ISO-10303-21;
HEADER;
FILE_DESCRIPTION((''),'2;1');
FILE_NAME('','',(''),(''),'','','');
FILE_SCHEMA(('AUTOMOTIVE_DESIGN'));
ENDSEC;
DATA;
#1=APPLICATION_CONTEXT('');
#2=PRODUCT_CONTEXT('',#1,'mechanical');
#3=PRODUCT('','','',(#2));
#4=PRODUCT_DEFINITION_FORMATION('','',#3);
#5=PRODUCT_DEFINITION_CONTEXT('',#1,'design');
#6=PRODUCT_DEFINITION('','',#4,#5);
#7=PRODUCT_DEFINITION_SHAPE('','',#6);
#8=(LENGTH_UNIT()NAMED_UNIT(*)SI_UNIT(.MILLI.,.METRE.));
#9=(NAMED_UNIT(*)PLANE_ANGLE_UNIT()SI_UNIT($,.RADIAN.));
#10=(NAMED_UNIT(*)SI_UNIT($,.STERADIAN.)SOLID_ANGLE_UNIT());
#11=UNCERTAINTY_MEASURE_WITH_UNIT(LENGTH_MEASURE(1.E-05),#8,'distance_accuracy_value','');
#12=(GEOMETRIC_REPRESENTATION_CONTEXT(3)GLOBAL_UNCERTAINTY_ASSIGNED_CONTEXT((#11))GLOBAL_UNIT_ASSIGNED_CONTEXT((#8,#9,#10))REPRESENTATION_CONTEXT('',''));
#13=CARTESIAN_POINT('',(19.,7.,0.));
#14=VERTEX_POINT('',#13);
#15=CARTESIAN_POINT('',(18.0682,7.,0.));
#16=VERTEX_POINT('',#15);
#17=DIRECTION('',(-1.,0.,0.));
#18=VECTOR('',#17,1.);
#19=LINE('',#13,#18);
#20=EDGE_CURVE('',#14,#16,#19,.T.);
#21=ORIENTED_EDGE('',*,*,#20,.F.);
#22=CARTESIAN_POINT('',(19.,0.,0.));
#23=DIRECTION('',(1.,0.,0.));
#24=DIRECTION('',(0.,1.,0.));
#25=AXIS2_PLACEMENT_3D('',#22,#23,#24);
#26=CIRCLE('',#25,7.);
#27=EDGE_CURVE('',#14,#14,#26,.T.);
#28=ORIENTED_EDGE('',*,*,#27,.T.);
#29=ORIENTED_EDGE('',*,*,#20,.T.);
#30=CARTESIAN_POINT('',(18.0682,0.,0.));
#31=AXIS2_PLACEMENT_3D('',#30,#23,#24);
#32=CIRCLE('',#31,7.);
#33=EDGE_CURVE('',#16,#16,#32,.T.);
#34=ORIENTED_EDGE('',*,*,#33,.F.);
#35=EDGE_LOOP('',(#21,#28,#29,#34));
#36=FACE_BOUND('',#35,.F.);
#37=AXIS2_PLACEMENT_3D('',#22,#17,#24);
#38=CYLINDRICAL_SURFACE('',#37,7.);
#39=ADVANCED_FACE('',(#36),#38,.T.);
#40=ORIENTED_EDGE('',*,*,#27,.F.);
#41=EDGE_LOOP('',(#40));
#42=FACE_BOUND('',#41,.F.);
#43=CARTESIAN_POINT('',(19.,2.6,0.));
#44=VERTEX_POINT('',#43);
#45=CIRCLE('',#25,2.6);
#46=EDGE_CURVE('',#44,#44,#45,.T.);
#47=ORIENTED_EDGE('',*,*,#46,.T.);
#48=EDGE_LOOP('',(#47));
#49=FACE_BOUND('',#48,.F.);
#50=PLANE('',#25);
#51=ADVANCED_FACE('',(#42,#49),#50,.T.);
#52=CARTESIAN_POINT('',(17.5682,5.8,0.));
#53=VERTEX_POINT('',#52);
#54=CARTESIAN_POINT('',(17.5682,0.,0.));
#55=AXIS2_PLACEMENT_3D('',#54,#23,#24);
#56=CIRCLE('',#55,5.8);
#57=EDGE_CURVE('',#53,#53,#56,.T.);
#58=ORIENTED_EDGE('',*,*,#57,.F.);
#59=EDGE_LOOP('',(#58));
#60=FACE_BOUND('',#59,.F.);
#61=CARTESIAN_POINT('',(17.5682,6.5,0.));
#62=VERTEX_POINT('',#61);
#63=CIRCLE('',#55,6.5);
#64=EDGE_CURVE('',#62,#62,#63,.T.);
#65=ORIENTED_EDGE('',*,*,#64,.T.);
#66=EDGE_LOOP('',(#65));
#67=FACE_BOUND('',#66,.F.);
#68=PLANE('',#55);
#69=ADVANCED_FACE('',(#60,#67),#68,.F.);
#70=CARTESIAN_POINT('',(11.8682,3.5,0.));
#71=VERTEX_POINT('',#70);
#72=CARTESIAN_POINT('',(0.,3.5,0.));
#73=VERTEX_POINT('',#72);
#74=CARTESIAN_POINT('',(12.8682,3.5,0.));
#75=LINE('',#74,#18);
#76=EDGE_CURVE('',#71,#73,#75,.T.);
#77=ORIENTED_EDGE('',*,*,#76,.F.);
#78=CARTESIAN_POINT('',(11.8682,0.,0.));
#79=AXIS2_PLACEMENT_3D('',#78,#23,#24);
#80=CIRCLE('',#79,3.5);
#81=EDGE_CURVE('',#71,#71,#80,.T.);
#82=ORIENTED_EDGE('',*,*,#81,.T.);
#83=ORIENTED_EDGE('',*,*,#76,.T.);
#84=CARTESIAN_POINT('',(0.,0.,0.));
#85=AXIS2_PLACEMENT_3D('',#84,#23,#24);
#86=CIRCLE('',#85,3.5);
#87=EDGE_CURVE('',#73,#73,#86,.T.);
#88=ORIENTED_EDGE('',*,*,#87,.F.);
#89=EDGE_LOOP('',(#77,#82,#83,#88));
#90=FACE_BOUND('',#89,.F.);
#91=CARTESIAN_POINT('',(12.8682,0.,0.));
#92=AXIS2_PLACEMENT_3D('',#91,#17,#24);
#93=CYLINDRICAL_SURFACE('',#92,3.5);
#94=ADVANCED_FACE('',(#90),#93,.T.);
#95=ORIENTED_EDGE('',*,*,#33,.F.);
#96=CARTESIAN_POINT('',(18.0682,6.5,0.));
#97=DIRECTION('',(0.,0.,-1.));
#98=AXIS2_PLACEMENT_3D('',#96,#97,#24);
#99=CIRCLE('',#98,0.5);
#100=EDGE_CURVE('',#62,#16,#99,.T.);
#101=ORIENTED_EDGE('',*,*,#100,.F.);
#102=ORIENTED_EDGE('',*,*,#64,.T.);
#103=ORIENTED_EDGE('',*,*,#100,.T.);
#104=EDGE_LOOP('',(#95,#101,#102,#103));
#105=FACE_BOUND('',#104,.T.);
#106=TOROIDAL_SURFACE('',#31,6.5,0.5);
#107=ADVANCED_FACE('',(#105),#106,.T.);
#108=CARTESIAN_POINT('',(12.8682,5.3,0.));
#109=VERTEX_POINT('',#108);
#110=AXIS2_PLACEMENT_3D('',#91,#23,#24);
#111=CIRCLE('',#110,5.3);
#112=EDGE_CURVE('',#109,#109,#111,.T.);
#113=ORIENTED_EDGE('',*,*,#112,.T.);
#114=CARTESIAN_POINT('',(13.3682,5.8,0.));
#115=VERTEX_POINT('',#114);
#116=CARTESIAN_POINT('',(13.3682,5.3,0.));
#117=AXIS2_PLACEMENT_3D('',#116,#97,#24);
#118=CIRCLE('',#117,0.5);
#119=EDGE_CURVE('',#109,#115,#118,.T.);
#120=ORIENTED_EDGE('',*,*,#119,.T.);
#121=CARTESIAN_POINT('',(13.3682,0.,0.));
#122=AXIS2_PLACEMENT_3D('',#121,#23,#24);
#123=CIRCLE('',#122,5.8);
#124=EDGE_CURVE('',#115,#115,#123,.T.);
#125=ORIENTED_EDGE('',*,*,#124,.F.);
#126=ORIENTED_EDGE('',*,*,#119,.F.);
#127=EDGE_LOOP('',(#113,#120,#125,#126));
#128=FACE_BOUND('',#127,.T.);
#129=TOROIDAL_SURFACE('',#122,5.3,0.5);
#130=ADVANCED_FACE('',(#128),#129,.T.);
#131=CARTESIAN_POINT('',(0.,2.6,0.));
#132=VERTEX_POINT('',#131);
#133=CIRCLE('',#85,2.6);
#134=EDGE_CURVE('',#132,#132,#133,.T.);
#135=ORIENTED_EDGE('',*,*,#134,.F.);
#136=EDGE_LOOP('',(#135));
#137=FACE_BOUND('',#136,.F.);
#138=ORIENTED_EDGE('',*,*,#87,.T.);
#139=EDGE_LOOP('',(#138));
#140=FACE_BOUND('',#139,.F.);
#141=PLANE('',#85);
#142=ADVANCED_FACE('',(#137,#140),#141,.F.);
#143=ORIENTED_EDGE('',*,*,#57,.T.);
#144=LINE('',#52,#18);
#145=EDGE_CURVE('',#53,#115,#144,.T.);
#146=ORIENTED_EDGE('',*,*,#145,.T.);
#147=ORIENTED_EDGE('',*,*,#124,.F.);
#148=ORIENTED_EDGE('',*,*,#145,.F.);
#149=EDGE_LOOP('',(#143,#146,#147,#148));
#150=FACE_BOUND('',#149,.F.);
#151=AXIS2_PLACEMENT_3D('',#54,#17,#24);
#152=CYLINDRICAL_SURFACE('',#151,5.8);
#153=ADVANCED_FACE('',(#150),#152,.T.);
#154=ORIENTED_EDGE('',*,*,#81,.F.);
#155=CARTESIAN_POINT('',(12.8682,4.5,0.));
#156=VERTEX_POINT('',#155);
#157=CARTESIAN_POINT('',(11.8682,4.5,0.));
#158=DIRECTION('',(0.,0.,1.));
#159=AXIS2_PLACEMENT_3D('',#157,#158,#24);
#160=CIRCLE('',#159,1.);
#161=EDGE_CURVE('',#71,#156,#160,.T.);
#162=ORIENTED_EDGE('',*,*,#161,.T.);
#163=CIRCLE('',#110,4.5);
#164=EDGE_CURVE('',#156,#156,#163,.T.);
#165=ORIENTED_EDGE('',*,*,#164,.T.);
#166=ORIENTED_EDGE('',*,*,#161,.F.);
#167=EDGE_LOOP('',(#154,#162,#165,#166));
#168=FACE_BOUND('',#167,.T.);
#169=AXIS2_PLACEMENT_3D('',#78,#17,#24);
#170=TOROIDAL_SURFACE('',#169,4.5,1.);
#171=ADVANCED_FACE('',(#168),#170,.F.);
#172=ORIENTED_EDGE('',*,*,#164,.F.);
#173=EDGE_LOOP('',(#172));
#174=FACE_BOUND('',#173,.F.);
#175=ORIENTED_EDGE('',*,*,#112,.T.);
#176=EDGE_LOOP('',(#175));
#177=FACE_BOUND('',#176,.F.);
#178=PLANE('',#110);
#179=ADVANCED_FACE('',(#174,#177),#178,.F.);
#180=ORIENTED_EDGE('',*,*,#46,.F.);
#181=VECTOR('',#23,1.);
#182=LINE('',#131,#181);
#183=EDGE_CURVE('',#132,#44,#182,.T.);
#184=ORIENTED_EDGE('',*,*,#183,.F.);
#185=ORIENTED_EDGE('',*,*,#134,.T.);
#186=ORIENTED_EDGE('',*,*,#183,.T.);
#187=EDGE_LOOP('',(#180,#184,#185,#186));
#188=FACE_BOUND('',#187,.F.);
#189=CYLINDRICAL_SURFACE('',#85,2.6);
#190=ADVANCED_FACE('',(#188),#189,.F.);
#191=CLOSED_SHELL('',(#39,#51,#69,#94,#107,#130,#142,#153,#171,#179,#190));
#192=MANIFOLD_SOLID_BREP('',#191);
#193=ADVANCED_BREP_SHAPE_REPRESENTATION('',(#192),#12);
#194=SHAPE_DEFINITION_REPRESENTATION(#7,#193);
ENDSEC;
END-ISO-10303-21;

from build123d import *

# Parameters (mm, degrees)
F2_R = 1
F3_R = 0.5


with BuildPart() as f1:
    # F0 (on Top) → F1 (revolve)
    with BuildSketch(Plane.XY):
        Polygon((12.8682, 3.5), (0, 3.5), (0, 2.6), (1.560832, 2.6), (17.439168, 2.6), (19, 2.6), (19, 7), (17.5682, 7), (17.5682, 5.8), (12.8682, 5.8), align=None)
    revolve(axis=Axis((8.987734, 0, 0), (1, 0, 0)))

    # F2
    f2_edges = [f1.edges().sort_by_distance(p)[0] for p in [
        (12.8682, -3.5, 0),
    ]]
    fillet(f2_edges, radius=F2_R)

    # F3
    f3_edges = [f1.edges().sort_by_distance(p)[0] for p in [
        (17.5682, -7, 0),
        (12.8682, -5.8, 0),
    ]]
    fillet(f3_edges, radius=F3_R)


solid = f1.part
